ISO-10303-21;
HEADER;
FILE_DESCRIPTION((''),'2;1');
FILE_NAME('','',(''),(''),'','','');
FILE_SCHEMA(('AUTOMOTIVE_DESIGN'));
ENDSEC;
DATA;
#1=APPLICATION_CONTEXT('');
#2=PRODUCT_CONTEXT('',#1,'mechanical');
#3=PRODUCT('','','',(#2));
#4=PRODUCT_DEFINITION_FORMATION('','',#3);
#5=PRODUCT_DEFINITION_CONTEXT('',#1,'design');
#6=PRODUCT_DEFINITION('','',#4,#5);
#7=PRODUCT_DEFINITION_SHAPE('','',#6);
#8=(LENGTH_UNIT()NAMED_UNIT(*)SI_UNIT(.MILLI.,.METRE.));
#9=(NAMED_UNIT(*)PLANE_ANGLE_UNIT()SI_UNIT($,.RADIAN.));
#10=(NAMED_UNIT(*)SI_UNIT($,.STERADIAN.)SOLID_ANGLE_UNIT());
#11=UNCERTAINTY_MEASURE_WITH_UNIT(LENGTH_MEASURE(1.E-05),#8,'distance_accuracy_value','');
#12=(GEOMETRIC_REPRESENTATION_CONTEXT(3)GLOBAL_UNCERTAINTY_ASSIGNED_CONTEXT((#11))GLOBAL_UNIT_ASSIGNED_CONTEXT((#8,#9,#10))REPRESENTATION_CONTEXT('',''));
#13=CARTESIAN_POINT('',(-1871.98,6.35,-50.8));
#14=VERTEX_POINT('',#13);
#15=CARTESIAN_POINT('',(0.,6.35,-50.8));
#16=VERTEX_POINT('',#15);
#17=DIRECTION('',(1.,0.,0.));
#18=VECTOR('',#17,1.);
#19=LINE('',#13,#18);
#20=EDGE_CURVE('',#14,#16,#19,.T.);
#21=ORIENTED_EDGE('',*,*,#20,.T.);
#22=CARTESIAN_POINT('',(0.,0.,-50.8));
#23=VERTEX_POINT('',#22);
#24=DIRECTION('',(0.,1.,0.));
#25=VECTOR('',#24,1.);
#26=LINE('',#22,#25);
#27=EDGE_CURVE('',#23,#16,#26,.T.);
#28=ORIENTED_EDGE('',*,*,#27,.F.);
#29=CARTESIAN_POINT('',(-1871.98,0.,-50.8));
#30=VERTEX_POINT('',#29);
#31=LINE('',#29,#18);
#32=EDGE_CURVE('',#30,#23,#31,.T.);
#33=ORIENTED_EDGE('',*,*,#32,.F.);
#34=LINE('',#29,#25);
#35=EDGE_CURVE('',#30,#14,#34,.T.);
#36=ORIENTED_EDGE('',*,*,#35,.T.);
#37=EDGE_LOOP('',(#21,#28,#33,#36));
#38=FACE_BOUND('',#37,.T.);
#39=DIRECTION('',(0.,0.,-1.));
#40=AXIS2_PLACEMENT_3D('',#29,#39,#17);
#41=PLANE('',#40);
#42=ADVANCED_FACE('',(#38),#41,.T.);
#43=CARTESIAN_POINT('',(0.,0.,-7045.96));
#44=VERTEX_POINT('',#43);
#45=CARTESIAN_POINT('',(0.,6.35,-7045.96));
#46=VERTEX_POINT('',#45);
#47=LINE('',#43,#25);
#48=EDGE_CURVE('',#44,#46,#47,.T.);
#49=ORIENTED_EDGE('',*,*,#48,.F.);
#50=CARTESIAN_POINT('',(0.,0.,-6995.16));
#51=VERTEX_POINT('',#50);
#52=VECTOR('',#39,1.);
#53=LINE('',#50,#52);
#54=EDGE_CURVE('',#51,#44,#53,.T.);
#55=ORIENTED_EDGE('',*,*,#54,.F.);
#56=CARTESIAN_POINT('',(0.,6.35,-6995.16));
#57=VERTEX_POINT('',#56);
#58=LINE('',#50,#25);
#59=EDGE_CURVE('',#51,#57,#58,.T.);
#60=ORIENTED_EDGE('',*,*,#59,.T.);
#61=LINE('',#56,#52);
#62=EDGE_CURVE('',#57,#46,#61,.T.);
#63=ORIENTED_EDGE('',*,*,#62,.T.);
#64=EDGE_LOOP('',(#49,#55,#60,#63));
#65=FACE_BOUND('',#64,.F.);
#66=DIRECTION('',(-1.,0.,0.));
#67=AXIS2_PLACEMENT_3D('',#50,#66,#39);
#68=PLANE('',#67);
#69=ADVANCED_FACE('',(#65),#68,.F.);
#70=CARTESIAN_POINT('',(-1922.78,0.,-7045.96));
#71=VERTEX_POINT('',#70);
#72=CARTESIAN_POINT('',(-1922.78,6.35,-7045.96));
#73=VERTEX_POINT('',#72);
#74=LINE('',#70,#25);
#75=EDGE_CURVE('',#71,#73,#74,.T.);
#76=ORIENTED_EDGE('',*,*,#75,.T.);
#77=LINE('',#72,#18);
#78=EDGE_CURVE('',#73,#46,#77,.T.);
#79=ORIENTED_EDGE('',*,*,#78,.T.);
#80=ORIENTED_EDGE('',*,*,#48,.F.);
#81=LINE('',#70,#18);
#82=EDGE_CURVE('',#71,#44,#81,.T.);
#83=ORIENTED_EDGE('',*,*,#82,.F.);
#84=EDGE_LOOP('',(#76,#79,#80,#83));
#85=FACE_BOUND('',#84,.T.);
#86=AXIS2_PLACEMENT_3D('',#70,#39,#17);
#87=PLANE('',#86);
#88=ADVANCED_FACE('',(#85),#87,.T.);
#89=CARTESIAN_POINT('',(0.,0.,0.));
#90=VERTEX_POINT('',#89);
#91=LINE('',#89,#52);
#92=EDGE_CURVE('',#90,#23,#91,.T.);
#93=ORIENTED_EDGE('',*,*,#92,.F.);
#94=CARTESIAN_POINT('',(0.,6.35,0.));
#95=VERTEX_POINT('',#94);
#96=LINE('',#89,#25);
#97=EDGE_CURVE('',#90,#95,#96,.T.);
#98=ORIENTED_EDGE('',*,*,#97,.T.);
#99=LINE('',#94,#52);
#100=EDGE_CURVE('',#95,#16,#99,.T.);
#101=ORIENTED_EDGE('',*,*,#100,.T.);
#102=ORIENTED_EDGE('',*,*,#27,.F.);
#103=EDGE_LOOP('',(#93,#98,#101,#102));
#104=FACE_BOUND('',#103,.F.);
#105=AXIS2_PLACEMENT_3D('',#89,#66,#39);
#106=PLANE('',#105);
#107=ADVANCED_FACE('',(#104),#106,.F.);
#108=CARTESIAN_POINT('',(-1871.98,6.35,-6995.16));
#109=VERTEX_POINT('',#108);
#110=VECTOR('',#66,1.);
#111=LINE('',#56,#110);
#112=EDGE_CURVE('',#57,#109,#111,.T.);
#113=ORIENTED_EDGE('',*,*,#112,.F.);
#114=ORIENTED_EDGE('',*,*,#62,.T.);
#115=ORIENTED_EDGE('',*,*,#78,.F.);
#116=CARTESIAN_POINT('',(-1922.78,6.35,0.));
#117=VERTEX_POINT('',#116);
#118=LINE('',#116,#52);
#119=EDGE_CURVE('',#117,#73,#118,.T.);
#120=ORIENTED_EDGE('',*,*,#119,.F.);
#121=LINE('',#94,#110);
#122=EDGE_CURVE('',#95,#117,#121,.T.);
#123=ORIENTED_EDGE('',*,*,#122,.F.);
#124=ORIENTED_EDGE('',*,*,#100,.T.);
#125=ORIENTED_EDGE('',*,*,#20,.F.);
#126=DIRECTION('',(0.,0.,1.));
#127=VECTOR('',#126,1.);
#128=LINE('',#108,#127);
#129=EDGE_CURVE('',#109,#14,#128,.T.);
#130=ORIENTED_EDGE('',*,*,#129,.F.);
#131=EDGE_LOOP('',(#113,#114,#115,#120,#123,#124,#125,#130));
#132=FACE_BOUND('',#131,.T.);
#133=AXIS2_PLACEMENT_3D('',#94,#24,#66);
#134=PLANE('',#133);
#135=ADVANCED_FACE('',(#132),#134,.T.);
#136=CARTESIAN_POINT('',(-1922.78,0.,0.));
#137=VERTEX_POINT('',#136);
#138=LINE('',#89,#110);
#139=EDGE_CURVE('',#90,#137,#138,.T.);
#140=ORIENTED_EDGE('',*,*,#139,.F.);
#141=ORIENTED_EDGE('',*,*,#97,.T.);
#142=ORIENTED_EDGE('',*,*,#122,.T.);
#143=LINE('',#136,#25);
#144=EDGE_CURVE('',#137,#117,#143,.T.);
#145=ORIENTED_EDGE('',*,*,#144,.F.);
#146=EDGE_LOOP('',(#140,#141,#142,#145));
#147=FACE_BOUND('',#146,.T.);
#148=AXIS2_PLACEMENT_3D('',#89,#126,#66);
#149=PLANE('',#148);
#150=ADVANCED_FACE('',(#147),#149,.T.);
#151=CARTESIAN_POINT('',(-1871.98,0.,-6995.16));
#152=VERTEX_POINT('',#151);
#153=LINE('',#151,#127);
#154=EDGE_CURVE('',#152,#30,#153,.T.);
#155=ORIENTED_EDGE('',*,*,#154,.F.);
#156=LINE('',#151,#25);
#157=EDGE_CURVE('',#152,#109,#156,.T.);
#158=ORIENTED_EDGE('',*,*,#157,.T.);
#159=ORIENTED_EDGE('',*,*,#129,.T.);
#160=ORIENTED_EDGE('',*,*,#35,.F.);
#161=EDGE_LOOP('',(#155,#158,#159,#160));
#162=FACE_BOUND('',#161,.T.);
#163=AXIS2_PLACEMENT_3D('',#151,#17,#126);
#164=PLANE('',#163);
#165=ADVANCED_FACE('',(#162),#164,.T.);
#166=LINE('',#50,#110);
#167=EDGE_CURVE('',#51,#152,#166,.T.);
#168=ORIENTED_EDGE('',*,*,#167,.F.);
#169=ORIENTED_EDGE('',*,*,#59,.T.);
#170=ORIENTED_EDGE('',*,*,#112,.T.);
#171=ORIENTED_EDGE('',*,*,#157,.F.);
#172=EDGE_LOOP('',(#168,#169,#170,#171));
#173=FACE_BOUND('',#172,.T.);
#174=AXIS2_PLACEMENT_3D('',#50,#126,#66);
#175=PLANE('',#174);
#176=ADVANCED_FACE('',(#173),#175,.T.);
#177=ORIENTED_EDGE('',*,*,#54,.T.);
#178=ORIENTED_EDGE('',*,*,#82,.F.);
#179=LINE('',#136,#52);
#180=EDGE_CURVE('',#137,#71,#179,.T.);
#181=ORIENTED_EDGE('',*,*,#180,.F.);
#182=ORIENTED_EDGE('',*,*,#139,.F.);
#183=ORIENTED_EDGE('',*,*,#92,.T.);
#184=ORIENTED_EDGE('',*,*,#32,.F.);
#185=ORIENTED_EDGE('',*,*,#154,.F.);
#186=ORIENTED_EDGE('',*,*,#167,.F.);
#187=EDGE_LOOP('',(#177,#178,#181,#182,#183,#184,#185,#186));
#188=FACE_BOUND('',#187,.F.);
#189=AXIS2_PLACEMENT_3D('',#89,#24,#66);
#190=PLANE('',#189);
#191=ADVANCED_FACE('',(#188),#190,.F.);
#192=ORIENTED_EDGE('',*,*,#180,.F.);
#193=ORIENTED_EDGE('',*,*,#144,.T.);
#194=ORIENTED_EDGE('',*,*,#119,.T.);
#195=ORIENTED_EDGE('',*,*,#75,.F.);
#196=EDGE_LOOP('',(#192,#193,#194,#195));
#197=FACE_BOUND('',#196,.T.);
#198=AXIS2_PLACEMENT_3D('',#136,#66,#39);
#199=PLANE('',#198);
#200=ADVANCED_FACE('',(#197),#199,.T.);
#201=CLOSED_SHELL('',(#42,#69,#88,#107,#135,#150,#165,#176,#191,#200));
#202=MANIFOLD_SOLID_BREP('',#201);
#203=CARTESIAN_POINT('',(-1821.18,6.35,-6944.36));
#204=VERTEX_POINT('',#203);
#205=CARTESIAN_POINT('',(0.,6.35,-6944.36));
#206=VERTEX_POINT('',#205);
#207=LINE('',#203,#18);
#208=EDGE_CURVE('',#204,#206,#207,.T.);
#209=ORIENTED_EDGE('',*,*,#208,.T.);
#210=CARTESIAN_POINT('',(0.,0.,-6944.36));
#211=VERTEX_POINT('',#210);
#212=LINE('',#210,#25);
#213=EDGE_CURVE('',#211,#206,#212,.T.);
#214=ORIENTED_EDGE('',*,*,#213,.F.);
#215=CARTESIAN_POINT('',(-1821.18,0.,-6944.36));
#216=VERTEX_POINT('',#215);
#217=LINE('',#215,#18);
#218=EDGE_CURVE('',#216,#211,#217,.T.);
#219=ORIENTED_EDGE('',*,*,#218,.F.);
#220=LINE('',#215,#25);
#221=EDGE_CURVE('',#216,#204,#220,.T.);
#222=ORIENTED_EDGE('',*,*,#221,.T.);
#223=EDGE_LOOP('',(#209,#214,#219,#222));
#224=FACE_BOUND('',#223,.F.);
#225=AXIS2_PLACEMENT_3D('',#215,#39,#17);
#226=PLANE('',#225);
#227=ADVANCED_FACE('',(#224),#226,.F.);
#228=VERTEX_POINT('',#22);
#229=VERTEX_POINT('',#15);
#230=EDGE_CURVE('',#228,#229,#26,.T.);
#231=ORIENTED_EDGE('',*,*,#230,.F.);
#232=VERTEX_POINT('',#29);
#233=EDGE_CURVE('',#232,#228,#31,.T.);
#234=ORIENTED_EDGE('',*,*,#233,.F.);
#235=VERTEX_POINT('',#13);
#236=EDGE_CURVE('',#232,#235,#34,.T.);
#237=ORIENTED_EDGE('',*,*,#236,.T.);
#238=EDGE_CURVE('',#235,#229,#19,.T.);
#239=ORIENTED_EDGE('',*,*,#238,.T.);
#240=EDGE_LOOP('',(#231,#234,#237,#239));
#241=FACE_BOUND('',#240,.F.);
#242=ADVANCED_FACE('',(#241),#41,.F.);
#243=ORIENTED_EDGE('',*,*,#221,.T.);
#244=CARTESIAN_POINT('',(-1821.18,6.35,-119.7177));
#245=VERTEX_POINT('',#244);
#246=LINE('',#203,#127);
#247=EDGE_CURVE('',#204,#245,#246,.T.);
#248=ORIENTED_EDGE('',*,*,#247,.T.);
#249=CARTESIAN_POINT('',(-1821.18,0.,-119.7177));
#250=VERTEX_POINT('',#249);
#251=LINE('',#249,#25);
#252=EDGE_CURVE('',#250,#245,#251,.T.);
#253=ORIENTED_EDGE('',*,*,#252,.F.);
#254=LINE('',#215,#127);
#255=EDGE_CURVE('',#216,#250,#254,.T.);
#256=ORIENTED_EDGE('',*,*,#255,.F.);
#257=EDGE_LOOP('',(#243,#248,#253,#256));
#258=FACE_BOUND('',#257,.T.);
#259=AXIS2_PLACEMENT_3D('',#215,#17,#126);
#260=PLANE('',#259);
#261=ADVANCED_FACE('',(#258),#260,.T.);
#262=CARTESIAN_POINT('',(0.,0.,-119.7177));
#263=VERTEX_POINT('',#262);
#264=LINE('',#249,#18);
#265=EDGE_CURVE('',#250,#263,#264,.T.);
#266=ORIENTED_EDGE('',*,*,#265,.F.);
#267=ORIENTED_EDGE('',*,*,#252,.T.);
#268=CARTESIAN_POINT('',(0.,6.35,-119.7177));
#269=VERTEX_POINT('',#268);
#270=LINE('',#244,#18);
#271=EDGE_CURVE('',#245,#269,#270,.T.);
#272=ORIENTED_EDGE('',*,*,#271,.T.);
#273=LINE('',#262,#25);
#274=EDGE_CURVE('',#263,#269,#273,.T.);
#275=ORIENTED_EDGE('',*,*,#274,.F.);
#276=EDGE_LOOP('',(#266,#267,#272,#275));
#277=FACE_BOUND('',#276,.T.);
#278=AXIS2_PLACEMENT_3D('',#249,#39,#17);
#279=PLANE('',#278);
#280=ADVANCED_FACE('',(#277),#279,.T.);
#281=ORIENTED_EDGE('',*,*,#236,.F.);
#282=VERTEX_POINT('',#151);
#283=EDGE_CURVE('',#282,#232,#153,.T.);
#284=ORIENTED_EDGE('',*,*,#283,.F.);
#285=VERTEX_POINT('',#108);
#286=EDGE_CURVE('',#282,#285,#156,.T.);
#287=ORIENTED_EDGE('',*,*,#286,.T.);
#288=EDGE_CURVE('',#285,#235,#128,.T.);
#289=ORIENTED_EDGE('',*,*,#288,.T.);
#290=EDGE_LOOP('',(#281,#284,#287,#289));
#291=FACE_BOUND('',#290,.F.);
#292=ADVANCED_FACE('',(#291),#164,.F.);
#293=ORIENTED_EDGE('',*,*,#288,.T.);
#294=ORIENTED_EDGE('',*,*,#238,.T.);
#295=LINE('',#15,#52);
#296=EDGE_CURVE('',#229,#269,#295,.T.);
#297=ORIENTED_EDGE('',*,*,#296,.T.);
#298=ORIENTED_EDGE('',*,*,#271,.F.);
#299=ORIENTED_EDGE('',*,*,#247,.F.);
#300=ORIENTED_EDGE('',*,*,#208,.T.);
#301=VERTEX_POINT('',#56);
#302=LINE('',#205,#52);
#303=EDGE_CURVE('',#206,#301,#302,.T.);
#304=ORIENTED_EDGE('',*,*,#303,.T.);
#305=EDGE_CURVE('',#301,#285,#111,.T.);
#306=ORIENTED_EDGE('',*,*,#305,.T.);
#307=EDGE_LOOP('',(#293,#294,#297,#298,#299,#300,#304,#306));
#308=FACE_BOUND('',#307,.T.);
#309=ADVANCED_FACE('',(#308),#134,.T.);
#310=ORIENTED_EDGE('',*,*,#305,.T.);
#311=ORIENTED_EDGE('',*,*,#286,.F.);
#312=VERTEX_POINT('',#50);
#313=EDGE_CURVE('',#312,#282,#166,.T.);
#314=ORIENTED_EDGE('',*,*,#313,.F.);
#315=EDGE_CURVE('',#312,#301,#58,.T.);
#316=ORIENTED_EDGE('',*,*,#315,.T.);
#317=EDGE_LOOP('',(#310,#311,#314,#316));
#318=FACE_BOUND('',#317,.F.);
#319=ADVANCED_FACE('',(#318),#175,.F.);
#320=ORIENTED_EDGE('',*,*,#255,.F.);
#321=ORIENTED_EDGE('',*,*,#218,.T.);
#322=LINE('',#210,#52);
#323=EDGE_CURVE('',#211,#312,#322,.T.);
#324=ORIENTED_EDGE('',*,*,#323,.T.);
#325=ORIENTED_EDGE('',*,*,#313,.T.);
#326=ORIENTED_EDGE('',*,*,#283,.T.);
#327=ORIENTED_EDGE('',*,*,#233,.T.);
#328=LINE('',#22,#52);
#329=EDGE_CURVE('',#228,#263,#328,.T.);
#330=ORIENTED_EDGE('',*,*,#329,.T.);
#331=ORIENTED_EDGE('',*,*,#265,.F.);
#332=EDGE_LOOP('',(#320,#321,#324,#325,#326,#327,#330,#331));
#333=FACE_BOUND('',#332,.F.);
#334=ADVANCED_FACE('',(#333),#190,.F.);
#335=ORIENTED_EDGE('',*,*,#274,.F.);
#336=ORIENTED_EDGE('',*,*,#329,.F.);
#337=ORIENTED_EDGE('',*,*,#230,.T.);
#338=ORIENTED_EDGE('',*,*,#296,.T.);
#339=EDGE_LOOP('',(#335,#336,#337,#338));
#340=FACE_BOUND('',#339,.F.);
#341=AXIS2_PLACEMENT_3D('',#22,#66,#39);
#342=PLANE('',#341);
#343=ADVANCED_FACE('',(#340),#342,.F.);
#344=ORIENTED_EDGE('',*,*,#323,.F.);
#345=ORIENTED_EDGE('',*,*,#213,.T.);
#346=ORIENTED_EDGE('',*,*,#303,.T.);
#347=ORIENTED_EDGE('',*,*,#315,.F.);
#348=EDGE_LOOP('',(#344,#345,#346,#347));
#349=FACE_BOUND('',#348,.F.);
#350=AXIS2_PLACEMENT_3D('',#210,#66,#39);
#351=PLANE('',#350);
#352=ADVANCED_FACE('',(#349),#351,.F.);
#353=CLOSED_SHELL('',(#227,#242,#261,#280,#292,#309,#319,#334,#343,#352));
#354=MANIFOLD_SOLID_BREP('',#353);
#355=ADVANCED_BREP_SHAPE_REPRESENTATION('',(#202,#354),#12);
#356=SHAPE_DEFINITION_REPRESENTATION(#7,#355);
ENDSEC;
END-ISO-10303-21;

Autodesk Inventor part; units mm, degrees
ref_plane "YZ Plane" through (0, 0, 0) normal (1, 0, 0) x (0, 1, 0)
ref_plane "XZ Plane" through (0, 0, 0) normal (0, 1, 0) x (-1, 0, 0)
ref_plane "XY Plane" through (0, 0, 0) normal (0, 0, 1) x (1, 0, 0)
sketch "Sketch1" plane through (0, 0, 0) normal (0, 1, 0) x (-1, 0, 0)
  line L0 (0, 0) -> (1922.78, 0)
  line L1 (1922.78, 0) -> (1922.78, -7045.96)
  line L2 (1922.78, -7045.96) -> (0, -7045.96)
  line L3 (0, -6995.16) -> (1871.98, -6995.16)
  line L4 (1871.98, -6995.16) -> (1871.98, -50.8)
  line L5 (1871.98, -50.8) -> (0, -50.8)
  line L6 (0, 0) -> (0, -50.8)
  line L7 (0, -6995.16) -> (0, -7045.96)
  line L8 (1821.18, -6944.36) -> (0, -6944.36)
  line L9 (1821.18, -6944.36) -> (1821.18, -119.7177)
  line L10 (0, -6944.36) -> (0, -6995.16)
  line L11 (1821.18, -119.7177) -> (0, -119.7177)
  line L12 (0, -50.8) -> (0, -119.7177)
  dimension "d0" = 1922.78
  dimension "d1" = 7045.96
  dimension "d2" = 1922.78
  dimension "d3" = 50.8
  dimension "d6" = 50.8
  dimension "d7" = 50.8
extrude "Extrusion1" add sketch "Sketch1" along normal blind 6.35 contours L0 L1 L2 L7 L3 L4 L5 L6
extrude "Extrusion2" add sketch "Sketch1" along normal blind 6.35 separate body contours L5 L4 L3 L10 L8 L9 L11 L12
equation "\"d0\" = d2"
properties part number "Trim_Red_02"
